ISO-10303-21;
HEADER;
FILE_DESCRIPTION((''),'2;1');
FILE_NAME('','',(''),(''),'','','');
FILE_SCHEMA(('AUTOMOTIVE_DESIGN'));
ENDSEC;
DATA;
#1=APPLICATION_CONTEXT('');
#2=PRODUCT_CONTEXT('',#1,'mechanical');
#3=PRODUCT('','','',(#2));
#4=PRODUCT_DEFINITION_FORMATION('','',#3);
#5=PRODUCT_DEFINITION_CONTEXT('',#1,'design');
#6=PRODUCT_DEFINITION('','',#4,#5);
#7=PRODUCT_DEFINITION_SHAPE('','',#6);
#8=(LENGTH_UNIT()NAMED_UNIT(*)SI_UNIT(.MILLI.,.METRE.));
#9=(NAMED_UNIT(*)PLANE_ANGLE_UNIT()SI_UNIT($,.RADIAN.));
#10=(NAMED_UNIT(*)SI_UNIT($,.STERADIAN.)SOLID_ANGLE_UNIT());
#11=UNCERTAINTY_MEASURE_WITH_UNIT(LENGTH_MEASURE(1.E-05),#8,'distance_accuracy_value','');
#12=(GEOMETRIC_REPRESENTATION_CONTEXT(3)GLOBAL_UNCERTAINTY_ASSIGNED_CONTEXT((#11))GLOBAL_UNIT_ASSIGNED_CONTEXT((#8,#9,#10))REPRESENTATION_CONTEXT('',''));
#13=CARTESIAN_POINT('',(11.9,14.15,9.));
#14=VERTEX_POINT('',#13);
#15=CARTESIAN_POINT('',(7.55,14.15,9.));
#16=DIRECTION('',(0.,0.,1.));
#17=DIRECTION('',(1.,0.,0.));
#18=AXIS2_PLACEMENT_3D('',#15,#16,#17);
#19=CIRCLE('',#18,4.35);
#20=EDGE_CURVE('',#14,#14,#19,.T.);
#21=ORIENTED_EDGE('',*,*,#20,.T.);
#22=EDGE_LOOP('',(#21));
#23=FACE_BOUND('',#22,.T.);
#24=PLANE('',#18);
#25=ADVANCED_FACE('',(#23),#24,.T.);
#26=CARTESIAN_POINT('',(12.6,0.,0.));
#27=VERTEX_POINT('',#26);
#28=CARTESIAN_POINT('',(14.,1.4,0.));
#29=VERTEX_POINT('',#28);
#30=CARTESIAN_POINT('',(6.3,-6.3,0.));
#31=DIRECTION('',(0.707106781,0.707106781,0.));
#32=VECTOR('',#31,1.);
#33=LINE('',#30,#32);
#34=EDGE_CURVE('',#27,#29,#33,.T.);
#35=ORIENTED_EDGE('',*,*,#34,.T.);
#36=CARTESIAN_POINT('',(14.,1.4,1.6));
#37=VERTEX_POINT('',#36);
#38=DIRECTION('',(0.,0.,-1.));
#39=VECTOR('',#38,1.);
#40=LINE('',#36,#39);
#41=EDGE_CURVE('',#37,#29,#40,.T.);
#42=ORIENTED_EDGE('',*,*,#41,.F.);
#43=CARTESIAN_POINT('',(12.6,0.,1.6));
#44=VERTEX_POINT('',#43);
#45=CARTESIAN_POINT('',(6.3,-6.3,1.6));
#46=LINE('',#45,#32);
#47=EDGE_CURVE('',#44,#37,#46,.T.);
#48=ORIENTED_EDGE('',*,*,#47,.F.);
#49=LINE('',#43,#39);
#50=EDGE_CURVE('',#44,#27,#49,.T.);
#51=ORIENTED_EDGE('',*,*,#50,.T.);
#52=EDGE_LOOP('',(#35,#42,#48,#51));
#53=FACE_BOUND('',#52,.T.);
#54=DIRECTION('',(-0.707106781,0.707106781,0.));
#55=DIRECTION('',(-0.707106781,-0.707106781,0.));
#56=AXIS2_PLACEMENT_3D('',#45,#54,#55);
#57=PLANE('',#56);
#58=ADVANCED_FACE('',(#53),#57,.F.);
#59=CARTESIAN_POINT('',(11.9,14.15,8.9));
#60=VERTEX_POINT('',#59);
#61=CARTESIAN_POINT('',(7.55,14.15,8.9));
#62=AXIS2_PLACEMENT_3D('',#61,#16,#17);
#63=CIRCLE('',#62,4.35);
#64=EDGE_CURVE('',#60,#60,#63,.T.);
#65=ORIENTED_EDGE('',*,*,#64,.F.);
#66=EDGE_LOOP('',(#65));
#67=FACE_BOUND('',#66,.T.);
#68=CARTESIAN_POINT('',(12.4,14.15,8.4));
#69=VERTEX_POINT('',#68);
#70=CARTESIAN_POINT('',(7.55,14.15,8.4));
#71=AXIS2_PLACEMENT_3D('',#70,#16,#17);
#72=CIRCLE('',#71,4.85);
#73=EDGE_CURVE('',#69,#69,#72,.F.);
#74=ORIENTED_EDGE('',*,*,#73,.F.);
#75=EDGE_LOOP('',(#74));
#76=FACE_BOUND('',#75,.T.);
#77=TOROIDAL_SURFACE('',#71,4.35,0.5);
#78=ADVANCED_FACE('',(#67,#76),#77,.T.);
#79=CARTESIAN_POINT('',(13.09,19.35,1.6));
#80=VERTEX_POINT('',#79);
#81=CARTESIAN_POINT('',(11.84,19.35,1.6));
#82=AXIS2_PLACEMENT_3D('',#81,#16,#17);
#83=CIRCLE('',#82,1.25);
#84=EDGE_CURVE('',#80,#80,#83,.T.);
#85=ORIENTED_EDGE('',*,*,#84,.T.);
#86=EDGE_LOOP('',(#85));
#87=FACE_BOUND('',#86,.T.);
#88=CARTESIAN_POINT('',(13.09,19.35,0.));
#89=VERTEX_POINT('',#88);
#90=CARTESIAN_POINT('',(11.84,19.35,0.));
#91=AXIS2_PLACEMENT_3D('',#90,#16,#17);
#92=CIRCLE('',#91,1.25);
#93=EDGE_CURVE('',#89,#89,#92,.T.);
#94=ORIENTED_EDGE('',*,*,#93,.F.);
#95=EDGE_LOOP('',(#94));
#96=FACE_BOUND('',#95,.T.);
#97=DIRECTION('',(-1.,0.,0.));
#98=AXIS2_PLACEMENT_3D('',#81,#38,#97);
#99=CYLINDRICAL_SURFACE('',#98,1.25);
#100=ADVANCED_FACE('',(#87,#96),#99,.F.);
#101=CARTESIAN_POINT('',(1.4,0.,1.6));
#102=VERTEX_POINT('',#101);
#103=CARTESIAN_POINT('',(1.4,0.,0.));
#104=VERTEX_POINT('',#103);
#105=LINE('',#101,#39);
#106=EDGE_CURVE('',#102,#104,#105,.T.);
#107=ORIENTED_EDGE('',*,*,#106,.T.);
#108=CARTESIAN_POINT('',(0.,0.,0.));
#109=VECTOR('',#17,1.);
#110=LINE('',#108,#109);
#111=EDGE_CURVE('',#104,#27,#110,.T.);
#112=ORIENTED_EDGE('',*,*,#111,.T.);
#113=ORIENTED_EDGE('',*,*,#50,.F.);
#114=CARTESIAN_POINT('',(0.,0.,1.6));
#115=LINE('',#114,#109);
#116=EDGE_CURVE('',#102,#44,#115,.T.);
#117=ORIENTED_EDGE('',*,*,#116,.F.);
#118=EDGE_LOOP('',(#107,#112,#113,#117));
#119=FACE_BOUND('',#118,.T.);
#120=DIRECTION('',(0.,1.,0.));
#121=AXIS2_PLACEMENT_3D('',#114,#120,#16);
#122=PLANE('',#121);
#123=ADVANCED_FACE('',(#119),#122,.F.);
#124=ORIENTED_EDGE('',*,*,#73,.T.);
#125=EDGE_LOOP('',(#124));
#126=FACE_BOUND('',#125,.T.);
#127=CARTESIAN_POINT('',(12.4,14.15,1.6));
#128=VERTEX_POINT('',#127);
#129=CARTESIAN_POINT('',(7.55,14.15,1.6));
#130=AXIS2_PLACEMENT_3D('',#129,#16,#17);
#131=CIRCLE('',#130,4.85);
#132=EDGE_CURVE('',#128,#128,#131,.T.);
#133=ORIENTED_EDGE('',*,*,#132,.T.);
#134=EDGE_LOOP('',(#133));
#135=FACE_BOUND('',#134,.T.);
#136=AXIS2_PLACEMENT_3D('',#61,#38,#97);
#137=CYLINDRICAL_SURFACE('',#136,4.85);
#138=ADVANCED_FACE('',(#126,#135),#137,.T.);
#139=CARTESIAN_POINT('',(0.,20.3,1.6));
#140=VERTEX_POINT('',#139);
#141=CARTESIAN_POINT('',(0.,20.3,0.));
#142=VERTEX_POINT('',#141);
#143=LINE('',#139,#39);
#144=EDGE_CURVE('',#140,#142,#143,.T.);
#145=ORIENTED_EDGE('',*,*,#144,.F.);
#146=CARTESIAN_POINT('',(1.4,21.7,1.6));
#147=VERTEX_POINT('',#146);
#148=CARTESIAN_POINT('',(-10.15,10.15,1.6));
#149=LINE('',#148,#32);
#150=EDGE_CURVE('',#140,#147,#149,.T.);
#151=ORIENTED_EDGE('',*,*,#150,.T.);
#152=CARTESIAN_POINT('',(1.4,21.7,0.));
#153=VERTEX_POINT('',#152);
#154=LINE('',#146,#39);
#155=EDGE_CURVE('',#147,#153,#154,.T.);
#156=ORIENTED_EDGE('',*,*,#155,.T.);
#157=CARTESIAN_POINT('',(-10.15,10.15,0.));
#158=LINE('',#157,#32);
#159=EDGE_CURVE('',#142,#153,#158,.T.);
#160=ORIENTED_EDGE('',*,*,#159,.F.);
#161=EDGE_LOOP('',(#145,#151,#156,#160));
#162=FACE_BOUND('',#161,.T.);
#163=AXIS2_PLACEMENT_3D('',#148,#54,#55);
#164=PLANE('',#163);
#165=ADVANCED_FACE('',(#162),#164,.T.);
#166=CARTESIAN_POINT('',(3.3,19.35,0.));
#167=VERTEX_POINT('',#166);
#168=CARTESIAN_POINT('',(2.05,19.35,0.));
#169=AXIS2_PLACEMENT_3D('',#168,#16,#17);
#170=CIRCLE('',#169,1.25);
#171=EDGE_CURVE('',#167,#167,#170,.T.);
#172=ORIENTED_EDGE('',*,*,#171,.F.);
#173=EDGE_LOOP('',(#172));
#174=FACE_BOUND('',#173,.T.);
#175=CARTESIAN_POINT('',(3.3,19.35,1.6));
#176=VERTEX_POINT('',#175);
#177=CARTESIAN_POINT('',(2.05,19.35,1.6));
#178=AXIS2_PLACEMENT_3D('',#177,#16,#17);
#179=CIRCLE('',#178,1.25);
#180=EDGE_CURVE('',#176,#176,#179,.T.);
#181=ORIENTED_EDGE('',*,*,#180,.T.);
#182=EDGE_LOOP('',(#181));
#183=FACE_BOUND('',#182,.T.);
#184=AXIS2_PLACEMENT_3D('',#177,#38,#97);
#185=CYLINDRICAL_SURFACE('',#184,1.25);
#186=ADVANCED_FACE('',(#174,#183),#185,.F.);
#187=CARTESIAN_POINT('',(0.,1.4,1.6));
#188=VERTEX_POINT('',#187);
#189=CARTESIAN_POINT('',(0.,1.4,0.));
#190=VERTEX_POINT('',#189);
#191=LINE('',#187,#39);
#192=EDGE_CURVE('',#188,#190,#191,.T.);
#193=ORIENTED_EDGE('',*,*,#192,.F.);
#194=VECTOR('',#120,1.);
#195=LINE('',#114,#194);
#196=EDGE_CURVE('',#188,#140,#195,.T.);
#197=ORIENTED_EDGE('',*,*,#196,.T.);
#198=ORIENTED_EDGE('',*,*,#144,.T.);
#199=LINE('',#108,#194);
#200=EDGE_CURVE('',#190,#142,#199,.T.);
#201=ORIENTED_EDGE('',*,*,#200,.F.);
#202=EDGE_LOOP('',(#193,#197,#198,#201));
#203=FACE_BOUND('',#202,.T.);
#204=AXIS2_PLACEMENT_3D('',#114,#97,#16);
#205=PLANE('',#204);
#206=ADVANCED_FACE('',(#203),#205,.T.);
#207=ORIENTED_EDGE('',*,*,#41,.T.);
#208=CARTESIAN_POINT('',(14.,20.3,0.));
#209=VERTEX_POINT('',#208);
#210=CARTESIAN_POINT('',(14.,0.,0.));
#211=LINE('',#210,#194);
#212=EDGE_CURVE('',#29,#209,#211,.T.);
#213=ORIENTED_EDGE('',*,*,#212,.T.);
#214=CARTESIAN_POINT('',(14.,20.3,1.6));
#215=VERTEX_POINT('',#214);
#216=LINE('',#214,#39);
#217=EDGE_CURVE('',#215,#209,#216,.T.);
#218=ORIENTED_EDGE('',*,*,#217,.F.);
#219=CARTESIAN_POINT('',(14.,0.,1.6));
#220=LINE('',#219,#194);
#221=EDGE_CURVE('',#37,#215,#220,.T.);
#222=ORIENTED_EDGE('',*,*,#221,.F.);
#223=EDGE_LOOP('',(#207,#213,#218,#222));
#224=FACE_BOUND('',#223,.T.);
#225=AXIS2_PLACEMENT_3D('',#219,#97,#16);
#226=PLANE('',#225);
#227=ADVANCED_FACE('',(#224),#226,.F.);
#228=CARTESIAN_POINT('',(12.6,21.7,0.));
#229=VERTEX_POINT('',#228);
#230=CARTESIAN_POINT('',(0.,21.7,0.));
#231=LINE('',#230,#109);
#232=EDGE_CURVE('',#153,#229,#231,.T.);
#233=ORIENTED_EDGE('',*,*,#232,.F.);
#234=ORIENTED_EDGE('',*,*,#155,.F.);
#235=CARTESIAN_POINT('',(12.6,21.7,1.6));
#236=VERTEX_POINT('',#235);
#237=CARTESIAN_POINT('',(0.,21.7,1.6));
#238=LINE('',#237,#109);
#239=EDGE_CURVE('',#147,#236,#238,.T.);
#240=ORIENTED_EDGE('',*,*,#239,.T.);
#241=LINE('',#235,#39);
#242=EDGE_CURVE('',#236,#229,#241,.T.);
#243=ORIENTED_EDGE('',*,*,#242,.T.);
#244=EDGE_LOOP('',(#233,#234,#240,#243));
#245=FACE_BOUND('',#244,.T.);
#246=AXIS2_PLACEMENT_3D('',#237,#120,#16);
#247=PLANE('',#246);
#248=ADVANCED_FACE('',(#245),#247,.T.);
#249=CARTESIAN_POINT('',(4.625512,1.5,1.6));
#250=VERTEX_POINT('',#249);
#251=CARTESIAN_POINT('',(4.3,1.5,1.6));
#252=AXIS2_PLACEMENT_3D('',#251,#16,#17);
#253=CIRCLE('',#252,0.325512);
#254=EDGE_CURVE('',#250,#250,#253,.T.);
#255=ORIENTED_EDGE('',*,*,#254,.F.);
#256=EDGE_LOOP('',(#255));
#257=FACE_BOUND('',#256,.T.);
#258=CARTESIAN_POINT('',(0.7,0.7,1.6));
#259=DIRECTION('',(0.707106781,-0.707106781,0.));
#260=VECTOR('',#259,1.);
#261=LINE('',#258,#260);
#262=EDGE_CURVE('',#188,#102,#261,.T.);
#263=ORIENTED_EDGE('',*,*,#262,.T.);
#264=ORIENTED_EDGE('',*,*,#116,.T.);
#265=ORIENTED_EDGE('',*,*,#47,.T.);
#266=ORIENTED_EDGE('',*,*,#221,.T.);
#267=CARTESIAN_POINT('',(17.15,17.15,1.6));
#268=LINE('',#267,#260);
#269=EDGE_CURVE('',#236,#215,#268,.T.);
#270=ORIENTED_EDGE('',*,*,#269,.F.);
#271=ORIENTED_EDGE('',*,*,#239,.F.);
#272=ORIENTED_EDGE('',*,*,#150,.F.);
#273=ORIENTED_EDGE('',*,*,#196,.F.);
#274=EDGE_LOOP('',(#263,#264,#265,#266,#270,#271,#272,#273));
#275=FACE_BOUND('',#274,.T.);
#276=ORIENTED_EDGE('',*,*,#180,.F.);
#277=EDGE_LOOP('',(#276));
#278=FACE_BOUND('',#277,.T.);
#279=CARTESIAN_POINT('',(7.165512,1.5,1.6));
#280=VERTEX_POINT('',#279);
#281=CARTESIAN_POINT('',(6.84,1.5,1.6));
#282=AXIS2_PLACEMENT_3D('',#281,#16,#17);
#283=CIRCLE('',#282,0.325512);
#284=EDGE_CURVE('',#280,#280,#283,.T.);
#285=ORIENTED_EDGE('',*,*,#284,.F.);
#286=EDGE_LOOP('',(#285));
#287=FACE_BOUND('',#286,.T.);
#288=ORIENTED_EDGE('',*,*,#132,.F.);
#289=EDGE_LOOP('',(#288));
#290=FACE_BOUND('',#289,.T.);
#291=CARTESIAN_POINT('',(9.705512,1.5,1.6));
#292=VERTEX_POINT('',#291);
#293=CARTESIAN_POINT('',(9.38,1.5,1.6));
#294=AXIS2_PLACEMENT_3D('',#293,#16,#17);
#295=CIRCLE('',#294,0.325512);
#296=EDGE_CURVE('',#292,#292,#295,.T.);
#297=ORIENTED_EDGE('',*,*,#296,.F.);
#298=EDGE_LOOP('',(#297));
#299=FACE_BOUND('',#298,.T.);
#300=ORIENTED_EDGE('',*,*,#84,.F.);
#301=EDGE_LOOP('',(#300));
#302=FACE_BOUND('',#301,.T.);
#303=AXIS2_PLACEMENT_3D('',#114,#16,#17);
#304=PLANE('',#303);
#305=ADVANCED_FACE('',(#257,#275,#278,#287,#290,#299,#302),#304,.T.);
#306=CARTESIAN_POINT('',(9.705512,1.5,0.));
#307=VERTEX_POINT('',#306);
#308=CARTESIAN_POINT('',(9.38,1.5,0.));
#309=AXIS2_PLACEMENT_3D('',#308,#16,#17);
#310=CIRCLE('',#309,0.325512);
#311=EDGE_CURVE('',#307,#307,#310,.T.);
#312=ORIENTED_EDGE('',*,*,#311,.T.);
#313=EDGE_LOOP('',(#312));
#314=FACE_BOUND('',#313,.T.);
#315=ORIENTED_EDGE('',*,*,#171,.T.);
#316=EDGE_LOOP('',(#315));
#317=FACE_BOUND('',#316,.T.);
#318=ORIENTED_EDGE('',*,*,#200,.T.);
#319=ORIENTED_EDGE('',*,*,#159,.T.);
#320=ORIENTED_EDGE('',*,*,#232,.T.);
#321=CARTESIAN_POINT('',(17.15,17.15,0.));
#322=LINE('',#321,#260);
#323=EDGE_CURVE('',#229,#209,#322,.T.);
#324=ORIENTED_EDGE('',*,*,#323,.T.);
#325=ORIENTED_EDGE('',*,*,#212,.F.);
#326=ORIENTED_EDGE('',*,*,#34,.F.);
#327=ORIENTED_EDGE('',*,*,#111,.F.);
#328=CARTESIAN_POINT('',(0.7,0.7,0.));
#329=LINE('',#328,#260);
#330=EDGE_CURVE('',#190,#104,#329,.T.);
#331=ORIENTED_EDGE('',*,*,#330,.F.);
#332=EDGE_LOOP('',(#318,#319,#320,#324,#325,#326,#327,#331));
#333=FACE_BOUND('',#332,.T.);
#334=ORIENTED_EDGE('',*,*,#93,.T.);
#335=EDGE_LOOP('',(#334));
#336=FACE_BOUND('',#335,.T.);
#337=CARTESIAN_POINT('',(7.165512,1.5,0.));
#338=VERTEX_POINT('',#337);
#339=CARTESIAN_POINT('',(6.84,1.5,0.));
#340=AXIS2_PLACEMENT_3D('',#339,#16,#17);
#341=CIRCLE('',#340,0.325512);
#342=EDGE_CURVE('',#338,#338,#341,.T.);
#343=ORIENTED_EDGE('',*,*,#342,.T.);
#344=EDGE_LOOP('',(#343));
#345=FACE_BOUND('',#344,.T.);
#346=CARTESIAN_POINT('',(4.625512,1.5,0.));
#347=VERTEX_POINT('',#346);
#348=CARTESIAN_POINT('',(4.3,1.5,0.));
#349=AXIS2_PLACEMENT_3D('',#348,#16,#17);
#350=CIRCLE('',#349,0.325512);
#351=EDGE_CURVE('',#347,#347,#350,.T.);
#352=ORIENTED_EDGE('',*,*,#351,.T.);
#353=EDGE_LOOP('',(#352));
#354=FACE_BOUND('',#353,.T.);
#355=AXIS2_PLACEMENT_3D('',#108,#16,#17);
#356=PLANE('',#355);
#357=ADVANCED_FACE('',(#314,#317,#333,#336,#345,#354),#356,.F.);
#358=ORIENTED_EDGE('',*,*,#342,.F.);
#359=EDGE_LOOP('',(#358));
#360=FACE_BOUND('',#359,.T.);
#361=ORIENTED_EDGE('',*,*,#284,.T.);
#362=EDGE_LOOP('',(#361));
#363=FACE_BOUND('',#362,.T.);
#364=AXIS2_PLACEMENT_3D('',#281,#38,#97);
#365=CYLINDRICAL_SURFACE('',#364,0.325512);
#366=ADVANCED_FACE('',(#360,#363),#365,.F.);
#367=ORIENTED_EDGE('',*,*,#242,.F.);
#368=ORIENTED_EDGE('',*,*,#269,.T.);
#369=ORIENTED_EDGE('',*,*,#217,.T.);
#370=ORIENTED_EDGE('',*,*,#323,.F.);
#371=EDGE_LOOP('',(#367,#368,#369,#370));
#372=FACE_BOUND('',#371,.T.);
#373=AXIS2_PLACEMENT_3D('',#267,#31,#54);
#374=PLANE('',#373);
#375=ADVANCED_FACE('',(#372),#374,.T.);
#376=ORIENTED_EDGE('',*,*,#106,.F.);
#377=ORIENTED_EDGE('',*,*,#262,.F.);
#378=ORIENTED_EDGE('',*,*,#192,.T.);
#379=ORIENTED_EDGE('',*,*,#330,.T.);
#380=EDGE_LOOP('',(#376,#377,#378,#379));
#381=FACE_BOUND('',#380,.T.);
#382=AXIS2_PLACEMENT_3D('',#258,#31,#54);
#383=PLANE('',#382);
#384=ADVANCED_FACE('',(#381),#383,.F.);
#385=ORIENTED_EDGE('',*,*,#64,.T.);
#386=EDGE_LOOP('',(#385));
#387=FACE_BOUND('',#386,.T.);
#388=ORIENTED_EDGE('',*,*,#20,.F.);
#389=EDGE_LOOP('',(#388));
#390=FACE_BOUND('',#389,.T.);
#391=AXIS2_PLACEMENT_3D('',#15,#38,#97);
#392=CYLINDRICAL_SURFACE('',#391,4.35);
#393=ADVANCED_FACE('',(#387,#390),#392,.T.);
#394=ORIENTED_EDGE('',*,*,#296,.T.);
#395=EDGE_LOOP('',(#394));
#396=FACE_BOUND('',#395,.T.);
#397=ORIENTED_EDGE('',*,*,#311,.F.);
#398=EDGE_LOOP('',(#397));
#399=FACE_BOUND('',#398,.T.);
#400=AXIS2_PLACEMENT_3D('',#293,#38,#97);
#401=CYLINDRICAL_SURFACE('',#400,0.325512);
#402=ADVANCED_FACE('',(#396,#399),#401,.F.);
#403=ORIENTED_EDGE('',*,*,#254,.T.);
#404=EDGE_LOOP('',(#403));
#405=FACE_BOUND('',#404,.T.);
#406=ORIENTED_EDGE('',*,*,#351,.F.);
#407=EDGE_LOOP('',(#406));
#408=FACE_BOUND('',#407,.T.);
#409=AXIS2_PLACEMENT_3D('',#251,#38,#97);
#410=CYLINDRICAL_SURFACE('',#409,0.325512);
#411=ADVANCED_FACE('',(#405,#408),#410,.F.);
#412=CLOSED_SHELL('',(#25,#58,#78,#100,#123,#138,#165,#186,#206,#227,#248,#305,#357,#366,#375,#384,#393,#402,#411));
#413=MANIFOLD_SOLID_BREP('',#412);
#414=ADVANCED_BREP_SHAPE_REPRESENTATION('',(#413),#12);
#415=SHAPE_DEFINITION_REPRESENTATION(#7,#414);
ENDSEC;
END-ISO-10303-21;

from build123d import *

# Parameters (mm, degrees)
SKETCH1_R           = 1.25
SKETCH1_R_2         = 4.85
SKETCH1_R_3         = 0.325511789
BOSS_EXTRUDE1_DEPTH = 1.6
BOSS_EXTRUDE2_START = 1.6
SKETCH1_3_R         = 4.85
BOSS_EXTRUDE2_DEPTH = 7.3
FILLET1_R           = 0.5
SKETCH2_R           = 4.35
BOSS_EXTRUDE3_DEPTH = 0.1


with BuildPart() as part:
    # Sketch1 → Boss-Extrude1 (new body)
    # profile 1 of 2: a face of its own
    with BuildSketch(Plane.XY):
        Polygon((0, 20.3), (1.4, 21.7), (12.6, 21.7), (14, 20.3), (14, 1.4), (12.6, 0), (1.4, 0), (0, 1.4), align=None)
        with Locations((2.05, 19.35)):
            Circle(SKETCH1_R, mode=Mode.SUBTRACT)
        with Locations((11.84, 19.35)):
            Circle(SKETCH1_R, mode=Mode.SUBTRACT)
        with Locations((7.55, 14.15)):
            Circle(SKETCH1_R_2, mode=Mode.SUBTRACT)
        with Locations((9.38, 1.5)):
            Circle(SKETCH1_R_3, mode=Mode.SUBTRACT)
        with Locations((6.84, 1.5)):
            Circle(SKETCH1_R_3, mode=Mode.SUBTRACT)
        with Locations((4.3, 1.5)):
            Circle(SKETCH1_R_3, mode=Mode.SUBTRACT)
    # profile 2 of 2: a face of its own
    with BuildSketch(Plane.XY):
        with Locations((7.55, 14.15)):
            Circle(SKETCH1_R_2)
    extrude(amount=BOSS_EXTRUDE1_DEPTH)

    # Sketch1<3> → Boss-Extrude2 (add)
    with BuildSketch(Plane.XY.offset(BOSS_EXTRUDE2_START)):
        with Locations((7.55, 14.15)):
            Circle(SKETCH1_3_R)
    extrude(amount=BOSS_EXTRUDE2_DEPTH)

    # Fillet1
    fillet1_edges = [part.edges().sort_by_distance(p)[0] for p in [
        (2.7, 14.15, 8.9),
    ]]
    fillet(fillet1_edges, radius=FILLET1_R)

    # Sketch2 → Boss-Extrude3 (add)
    with BuildSketch(Plane.XY.offset(8.9)):
        with Locations((7.55, 14.15)):
            Circle(SKETCH2_R)
    extrude(amount=BOSS_EXTRUDE3_DEPTH)


solid = part.part
